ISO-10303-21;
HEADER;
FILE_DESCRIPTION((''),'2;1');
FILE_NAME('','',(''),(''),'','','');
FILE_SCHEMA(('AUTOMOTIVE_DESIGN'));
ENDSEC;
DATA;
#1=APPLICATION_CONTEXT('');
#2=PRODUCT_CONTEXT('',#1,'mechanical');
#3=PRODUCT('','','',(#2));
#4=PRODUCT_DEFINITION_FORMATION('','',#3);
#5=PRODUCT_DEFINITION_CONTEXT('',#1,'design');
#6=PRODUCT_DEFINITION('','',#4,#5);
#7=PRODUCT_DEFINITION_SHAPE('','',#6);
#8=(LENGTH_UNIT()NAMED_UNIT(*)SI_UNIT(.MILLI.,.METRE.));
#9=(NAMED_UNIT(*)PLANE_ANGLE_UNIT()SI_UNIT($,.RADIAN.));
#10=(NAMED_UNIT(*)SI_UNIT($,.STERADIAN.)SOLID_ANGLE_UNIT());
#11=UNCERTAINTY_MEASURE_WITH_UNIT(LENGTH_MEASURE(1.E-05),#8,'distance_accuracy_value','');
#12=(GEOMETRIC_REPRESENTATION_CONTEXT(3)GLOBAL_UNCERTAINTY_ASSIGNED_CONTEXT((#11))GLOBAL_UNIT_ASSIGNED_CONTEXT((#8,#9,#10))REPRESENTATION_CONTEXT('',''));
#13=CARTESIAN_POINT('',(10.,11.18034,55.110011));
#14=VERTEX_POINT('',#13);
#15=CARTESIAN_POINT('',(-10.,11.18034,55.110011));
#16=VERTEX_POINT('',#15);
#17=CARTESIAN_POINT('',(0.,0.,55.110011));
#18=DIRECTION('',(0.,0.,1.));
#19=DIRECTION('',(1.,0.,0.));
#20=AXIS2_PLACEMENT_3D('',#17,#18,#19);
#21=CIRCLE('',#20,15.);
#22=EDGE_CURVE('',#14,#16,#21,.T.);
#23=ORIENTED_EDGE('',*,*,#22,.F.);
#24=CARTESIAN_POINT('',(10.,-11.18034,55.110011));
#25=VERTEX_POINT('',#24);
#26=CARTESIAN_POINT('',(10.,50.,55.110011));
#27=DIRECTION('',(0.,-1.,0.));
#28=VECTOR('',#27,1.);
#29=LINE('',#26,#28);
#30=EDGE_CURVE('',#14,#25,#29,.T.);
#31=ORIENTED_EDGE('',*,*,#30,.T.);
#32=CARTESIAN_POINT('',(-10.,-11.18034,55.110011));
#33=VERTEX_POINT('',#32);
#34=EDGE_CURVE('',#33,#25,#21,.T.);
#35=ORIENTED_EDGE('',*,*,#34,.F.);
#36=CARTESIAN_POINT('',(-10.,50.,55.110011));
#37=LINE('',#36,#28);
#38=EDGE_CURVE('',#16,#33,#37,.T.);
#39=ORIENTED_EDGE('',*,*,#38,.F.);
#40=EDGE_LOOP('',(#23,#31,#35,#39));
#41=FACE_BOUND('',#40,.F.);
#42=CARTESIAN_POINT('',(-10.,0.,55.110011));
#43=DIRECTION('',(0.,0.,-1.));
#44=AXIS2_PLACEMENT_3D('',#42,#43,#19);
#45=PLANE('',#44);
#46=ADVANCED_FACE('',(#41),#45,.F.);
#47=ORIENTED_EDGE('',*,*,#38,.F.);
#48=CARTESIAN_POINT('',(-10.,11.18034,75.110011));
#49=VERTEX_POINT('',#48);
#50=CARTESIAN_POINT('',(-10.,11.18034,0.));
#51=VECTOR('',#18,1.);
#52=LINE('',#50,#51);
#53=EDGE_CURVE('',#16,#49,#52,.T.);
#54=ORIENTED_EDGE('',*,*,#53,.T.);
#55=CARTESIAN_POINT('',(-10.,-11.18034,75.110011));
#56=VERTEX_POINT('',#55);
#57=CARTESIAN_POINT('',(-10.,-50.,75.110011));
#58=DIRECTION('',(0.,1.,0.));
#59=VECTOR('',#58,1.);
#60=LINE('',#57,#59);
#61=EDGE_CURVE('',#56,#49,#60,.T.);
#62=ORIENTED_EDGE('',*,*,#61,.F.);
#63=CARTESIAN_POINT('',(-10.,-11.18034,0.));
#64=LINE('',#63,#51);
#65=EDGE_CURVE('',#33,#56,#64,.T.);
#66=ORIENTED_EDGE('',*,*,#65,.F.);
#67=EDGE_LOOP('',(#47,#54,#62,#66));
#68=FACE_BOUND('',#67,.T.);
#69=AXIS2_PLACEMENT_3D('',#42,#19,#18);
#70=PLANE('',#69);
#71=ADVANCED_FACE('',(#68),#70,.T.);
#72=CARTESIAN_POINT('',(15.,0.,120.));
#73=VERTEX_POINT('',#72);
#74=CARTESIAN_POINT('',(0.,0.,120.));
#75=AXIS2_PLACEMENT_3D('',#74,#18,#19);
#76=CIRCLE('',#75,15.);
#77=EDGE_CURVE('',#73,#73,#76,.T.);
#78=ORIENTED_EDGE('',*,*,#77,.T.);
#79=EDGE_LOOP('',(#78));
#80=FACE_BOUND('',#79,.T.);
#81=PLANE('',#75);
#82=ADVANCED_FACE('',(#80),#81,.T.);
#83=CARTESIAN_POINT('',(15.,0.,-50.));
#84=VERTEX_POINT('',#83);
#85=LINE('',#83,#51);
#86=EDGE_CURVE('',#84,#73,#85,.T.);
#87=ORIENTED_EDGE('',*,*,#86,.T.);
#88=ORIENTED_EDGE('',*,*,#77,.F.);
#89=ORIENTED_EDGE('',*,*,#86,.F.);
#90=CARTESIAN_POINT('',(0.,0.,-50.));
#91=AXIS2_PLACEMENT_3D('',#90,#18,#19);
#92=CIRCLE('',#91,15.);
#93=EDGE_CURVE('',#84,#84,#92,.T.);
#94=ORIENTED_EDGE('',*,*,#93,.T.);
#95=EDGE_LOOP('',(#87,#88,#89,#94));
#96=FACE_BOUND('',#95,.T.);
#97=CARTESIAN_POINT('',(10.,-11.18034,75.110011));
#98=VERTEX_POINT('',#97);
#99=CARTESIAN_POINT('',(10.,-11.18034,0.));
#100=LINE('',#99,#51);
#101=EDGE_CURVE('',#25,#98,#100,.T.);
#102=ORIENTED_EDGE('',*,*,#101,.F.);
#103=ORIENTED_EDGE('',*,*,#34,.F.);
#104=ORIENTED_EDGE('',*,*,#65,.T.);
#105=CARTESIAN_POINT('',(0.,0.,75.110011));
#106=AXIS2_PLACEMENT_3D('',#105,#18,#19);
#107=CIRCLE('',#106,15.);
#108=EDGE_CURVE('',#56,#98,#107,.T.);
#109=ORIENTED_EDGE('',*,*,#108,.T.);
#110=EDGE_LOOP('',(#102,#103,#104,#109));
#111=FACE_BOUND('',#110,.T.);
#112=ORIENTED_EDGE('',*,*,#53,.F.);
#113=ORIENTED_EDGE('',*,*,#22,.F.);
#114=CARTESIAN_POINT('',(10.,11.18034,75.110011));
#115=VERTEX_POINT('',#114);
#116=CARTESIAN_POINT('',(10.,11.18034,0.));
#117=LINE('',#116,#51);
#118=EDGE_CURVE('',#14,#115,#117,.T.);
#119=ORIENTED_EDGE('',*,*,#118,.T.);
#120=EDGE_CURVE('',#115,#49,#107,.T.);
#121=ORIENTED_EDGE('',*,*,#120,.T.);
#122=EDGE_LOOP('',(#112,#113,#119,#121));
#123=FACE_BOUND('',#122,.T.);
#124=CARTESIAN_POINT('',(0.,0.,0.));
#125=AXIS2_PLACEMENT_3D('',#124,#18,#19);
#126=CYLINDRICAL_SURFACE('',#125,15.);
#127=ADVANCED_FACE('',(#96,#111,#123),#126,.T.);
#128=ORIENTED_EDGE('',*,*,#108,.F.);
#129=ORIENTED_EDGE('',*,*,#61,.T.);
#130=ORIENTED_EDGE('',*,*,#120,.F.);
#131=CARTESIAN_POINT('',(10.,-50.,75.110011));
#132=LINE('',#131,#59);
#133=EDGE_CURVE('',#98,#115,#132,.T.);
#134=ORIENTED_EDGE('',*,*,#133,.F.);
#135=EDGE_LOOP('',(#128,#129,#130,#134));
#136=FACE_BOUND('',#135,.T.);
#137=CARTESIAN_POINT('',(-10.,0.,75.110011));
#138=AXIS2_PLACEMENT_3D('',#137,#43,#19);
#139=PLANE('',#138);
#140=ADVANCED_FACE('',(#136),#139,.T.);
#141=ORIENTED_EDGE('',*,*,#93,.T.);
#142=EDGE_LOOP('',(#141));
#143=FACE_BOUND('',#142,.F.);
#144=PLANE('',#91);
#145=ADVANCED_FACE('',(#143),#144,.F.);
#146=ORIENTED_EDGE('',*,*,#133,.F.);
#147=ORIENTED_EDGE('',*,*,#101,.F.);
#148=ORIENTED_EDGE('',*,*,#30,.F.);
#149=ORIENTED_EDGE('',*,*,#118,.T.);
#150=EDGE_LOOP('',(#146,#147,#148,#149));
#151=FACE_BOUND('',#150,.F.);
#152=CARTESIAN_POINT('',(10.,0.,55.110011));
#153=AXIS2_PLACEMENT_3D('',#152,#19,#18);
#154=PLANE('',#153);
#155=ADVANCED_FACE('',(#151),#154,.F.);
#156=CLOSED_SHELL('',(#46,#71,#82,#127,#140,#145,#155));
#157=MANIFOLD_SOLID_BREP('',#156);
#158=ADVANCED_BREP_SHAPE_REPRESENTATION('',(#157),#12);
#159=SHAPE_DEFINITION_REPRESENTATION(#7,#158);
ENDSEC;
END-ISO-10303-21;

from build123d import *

# Parameters (mm, degrees)
F0_R          = 15
F1_DEPTH      = 120
F1_DEPTH_BACK = 50
F2_W          = 20
F2_H          = 20
F3_DEPTH      = 50


with BuildPart() as f1:
    # F0 (on Top) → F1 (new body, two sides)
    with BuildSketch(Plane.XY) as f1_sk:
        Circle(F0_R)
    extrude(amount=F1_DEPTH)
    extrude(f1_sk.sketch, amount=-F1_DEPTH_BACK)

    # F2 (on Front) → F3 (cut, symmetric)
    with BuildSketch(Plane.XZ):
        with Locations((0, 65.110011)):
            Rectangle(F2_W, F2_H)
    extrude(amount=F3_DEPTH, both=True, mode=Mode.SUBTRACT)


solid = f1.part
